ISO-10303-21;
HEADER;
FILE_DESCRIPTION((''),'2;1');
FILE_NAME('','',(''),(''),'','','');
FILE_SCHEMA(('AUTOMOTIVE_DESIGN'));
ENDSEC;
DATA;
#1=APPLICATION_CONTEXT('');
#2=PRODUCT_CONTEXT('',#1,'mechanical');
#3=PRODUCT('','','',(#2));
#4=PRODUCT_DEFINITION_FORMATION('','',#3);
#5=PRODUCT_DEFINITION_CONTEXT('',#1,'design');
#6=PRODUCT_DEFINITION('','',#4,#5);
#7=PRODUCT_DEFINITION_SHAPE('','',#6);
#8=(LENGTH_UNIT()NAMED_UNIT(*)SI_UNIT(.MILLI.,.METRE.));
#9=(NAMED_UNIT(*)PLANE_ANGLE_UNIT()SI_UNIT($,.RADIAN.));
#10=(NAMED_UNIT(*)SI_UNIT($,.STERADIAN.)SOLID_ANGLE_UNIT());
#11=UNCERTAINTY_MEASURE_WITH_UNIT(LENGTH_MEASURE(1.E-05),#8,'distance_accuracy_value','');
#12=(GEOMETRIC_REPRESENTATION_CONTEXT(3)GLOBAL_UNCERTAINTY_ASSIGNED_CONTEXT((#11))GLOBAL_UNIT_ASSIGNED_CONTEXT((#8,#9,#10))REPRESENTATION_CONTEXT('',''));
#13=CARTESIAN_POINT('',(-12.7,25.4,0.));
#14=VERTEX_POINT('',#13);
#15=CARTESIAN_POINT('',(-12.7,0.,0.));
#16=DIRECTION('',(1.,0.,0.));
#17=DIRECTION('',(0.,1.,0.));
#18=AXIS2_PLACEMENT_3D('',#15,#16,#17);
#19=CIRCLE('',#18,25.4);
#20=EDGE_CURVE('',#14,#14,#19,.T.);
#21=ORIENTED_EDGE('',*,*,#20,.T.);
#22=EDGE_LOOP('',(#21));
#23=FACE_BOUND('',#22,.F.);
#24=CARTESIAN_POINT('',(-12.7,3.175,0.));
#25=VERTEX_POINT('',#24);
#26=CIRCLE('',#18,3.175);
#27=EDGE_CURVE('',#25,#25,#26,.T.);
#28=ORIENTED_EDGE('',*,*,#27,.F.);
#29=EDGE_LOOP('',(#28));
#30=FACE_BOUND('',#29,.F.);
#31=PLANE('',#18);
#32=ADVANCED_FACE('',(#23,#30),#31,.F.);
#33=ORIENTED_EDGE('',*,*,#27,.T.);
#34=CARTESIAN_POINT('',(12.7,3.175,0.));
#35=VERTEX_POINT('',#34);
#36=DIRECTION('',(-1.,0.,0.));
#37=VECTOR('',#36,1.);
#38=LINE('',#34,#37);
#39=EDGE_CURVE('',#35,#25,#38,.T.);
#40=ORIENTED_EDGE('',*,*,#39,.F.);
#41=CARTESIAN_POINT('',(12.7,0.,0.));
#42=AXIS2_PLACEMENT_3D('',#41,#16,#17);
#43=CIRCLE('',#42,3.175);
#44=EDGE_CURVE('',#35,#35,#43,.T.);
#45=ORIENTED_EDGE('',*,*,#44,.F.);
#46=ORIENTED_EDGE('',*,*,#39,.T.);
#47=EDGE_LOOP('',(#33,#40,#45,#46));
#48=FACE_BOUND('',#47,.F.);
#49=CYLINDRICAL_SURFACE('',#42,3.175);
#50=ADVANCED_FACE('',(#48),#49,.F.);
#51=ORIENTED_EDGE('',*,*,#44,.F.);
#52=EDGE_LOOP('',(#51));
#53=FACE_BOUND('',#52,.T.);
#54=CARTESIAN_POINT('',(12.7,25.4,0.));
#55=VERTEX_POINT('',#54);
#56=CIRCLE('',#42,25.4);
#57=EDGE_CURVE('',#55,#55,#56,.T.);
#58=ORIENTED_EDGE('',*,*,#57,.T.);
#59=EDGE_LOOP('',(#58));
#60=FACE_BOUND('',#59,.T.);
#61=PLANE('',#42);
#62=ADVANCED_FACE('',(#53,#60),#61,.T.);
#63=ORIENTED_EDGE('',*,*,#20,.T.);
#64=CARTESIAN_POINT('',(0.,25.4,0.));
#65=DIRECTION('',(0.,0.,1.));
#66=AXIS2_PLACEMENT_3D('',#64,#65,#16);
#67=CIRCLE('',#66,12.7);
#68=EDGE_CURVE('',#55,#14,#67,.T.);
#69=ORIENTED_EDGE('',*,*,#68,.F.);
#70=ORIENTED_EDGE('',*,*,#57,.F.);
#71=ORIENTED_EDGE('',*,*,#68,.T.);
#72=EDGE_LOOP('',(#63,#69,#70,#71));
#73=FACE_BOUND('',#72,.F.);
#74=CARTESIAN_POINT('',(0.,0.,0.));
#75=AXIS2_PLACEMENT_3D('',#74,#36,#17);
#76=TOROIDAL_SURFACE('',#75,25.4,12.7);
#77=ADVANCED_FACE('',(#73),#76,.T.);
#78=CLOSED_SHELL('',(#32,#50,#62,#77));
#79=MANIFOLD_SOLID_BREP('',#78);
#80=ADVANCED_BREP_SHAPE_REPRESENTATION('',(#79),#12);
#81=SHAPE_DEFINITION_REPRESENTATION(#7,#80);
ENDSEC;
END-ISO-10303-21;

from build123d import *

# Parameters (mm, degrees)
F0_R     = 12.7
F2_R     = 25.4
F3_DEPTH = 12.7
F4_R     = 3.175
F5_DEPTH = 25.4


with BuildPart() as f1:
    # F0 (on Top) → F1 (revolve)
    with BuildSketch(Plane.XY):
        with Locations((0, 25.4)):
            Circle(F0_R)
    revolve(axis=Axis((2.317362465, 0, 0), (1, 0, 0)))

    # F2 (on Right) → F3 (join, symmetric)
    with BuildSketch(Plane.YZ):
        Circle(F2_R)
    extrude(amount=F3_DEPTH, both=True)

    # F4 (on face) → F5 (cut)
    with BuildSketch(Plane.YZ.offset(12.7)):
        Circle(F4_R)
    extrude(amount=-F5_DEPTH, mode=Mode.SUBTRACT)


solid = f1.part
